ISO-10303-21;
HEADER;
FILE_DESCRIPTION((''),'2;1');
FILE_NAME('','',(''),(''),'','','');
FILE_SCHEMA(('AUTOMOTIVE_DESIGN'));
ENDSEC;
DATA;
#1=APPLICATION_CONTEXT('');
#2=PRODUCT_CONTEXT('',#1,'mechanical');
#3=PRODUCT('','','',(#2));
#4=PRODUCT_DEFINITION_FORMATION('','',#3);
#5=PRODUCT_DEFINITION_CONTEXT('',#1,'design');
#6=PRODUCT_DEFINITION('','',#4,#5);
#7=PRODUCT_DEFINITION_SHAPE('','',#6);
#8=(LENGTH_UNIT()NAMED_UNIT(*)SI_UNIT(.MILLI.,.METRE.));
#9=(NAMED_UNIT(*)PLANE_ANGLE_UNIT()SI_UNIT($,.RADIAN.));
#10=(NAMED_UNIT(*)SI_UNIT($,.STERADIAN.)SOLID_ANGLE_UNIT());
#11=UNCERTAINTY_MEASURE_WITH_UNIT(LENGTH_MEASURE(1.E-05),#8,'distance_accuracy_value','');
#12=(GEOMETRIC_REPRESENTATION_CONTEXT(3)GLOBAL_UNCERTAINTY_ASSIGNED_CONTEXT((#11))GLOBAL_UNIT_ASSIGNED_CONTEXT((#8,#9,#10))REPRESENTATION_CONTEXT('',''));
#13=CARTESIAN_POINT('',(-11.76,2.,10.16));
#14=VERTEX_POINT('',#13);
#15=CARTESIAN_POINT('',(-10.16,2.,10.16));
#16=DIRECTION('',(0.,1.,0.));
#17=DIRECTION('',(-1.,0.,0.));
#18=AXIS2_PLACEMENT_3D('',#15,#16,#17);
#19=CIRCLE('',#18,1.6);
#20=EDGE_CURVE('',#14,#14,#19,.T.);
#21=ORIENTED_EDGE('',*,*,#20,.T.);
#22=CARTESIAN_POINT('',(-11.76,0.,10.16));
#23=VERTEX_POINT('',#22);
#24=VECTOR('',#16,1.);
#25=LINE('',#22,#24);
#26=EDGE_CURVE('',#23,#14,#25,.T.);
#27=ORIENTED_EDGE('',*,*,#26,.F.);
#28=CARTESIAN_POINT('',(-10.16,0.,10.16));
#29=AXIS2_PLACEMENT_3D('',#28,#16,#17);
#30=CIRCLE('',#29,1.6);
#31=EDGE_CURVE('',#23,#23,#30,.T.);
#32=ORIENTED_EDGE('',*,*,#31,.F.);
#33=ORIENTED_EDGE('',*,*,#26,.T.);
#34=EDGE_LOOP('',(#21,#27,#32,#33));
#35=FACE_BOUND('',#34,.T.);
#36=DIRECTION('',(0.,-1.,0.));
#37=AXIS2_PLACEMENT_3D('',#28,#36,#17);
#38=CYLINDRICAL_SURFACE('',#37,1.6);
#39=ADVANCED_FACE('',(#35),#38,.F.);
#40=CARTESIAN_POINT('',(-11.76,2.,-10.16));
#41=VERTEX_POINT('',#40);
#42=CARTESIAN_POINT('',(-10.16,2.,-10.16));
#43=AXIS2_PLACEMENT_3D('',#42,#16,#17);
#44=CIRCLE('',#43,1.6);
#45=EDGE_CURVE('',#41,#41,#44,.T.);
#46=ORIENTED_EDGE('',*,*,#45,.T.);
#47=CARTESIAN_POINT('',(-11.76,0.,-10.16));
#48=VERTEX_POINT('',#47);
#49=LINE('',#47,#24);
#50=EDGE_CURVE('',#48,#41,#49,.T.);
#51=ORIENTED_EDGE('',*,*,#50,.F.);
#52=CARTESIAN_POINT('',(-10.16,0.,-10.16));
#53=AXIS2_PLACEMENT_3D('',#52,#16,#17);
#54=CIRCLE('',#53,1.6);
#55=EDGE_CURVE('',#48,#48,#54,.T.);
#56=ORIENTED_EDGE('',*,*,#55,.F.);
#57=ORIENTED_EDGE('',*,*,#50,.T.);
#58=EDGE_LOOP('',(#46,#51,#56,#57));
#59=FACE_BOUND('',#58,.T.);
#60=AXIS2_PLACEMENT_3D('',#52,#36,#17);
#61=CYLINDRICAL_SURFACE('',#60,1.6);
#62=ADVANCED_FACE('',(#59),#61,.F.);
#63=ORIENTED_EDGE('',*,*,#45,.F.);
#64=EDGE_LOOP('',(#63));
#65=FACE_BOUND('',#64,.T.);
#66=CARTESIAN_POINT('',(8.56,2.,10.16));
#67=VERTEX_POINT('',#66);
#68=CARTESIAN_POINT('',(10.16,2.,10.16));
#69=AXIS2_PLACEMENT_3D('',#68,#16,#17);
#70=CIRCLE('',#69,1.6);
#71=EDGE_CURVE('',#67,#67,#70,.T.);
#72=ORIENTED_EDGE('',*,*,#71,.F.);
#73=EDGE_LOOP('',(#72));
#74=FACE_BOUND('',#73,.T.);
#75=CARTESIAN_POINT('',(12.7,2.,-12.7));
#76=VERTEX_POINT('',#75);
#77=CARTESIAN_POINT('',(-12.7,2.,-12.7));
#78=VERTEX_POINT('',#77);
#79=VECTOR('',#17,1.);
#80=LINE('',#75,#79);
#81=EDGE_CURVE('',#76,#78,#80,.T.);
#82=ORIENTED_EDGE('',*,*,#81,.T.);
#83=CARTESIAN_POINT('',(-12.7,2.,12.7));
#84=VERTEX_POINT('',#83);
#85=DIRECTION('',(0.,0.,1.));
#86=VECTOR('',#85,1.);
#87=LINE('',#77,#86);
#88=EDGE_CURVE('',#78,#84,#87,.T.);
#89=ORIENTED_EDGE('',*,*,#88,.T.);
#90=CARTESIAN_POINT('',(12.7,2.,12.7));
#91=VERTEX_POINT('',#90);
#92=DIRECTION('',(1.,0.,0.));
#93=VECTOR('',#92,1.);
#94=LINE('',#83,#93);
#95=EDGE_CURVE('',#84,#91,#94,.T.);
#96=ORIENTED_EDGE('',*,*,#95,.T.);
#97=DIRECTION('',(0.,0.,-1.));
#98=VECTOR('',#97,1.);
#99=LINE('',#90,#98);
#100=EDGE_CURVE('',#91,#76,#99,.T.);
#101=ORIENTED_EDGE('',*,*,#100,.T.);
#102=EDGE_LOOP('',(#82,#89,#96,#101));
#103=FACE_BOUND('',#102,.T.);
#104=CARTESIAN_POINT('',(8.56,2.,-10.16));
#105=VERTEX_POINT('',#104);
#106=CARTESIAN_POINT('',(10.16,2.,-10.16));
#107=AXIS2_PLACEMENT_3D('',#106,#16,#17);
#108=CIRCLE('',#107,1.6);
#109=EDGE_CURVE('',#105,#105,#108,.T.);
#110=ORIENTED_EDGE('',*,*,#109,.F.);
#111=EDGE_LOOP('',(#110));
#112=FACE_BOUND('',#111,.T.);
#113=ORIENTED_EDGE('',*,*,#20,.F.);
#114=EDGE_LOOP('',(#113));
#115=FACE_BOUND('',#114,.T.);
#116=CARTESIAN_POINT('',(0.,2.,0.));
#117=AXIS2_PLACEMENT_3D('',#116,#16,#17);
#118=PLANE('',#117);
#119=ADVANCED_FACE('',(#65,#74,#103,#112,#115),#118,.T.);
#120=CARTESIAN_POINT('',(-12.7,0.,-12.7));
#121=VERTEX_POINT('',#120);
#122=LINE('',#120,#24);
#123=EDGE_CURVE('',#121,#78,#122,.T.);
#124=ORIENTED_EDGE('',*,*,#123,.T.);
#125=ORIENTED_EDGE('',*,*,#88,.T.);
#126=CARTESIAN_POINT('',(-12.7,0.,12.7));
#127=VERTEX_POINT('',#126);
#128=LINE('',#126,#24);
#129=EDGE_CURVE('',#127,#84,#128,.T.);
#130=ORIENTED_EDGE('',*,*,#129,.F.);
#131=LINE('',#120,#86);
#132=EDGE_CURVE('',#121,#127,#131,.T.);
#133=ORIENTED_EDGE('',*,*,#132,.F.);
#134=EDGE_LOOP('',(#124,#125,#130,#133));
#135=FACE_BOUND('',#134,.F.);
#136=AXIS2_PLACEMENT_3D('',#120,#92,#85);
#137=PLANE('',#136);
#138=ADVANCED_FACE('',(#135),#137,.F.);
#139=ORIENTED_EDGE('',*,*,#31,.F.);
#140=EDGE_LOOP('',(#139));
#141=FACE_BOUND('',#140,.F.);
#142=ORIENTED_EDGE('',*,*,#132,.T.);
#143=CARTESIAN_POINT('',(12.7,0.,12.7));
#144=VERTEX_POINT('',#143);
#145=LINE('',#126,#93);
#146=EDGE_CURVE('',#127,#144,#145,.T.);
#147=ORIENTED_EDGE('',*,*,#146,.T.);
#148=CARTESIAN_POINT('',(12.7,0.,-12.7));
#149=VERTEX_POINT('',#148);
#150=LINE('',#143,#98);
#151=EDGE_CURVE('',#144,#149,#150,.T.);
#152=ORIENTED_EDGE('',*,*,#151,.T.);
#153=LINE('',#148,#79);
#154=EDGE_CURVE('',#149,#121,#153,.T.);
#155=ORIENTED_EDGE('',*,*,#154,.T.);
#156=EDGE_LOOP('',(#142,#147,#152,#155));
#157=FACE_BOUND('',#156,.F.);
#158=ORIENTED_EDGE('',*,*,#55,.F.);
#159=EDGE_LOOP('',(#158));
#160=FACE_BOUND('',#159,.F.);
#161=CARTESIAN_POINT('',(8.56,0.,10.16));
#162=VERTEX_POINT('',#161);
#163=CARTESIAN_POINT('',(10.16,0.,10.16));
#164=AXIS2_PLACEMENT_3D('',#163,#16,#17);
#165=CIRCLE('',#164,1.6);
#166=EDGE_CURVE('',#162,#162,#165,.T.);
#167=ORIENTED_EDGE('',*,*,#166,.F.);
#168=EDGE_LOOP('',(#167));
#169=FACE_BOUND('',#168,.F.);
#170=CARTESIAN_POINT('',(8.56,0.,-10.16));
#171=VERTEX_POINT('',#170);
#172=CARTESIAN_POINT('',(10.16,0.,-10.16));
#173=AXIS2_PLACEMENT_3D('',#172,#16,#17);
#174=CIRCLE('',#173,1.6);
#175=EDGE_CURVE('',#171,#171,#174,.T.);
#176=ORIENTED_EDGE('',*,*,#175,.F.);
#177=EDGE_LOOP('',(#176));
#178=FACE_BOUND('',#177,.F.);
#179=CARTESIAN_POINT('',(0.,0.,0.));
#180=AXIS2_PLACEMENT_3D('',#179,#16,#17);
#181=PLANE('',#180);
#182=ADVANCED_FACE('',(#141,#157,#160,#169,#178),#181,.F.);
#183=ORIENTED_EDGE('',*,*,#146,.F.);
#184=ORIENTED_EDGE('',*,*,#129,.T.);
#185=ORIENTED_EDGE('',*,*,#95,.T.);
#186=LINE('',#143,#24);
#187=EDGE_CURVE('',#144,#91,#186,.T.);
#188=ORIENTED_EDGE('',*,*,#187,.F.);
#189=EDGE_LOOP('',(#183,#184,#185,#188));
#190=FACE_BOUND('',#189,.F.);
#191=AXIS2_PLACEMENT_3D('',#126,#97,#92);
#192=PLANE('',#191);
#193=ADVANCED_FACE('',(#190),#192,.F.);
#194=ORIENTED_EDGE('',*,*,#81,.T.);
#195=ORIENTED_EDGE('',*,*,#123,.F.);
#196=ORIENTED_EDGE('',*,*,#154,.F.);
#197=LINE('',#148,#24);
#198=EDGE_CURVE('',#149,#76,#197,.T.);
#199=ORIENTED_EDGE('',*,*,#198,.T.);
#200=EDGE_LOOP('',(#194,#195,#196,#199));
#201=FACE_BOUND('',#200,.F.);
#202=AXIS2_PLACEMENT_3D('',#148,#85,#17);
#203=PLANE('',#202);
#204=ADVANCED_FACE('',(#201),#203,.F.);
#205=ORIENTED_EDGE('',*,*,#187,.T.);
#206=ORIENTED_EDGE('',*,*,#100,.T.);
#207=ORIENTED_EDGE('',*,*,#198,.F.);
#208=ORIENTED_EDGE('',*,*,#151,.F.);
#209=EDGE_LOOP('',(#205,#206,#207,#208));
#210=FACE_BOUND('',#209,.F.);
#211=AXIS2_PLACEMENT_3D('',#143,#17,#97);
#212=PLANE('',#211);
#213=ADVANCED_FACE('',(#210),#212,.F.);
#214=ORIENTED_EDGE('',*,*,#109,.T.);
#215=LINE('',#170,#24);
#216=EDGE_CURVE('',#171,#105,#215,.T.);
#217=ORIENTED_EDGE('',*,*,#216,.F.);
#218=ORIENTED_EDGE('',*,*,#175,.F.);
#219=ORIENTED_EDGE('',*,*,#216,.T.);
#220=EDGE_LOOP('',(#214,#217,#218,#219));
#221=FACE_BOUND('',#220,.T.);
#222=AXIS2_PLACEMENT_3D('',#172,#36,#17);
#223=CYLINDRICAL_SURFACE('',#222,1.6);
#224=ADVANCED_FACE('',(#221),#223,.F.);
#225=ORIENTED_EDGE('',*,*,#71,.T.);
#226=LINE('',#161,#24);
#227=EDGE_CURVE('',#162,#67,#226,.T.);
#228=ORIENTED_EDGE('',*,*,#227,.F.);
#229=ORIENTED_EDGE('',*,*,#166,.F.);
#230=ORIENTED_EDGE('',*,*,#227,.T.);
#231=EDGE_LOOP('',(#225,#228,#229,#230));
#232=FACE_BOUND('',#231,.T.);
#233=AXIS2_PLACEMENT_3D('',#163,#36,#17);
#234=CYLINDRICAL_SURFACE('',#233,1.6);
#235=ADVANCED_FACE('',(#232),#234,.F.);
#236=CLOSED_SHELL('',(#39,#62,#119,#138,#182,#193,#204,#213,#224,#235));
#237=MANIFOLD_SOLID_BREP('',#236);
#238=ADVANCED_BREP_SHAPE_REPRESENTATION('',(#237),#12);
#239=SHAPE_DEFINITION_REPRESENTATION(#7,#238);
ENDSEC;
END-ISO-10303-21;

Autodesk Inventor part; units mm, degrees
ref_plane "YZ Plane" through (0, 0, 0) normal (1, 0, 0) x (0, 1, 0)
ref_plane "XZ Plane" through (0, 0, 0) normal (0, 1, 0) x (-1, 0, 0)
ref_plane "XY Plane" through (0, 0, 0) normal (0, 0, 1) x (1, 0, 0)
sketch "スケッチ1" plane through (0, 0, 0) normal (0, 1, 0) x (-1, 0, 0)
  line L0 (12.7, 12.7) -> (-12.7, 12.7)
  line L1 (-12.7, 12.7) -> (-12.7, -12.7)
  line L2 (-12.7, -12.7) -> (12.7, -12.7)
  line L3 (12.7, -12.7) -> (12.7, 12.7)
  line L4 (12.7, 12.7) -> (-12.7, -12.7) construction
  line L5 (-12.7, 12.7) -> (12.7, -12.7) construction
  circle A0 centre (-10.16, 10.16) radius 1.6
  circle A1 centre (-10.16, -10.16) radius 1.6
  circle A2 centre (10.16, -10.16) radius 1.6
  circle A3 centre (10.16, 10.16) radius 1.6
  point P0 (0, 0)
  dimension "d0" = 25.4
  dimension "d1" = 3.2
  dimension "d2" = 2.54
  dimension "d3" = 2.54
  dimension "d6" = 360
extrude "押し出し1" add sketch "スケッチ1" along normal blind 2
properties part number "odometry"
